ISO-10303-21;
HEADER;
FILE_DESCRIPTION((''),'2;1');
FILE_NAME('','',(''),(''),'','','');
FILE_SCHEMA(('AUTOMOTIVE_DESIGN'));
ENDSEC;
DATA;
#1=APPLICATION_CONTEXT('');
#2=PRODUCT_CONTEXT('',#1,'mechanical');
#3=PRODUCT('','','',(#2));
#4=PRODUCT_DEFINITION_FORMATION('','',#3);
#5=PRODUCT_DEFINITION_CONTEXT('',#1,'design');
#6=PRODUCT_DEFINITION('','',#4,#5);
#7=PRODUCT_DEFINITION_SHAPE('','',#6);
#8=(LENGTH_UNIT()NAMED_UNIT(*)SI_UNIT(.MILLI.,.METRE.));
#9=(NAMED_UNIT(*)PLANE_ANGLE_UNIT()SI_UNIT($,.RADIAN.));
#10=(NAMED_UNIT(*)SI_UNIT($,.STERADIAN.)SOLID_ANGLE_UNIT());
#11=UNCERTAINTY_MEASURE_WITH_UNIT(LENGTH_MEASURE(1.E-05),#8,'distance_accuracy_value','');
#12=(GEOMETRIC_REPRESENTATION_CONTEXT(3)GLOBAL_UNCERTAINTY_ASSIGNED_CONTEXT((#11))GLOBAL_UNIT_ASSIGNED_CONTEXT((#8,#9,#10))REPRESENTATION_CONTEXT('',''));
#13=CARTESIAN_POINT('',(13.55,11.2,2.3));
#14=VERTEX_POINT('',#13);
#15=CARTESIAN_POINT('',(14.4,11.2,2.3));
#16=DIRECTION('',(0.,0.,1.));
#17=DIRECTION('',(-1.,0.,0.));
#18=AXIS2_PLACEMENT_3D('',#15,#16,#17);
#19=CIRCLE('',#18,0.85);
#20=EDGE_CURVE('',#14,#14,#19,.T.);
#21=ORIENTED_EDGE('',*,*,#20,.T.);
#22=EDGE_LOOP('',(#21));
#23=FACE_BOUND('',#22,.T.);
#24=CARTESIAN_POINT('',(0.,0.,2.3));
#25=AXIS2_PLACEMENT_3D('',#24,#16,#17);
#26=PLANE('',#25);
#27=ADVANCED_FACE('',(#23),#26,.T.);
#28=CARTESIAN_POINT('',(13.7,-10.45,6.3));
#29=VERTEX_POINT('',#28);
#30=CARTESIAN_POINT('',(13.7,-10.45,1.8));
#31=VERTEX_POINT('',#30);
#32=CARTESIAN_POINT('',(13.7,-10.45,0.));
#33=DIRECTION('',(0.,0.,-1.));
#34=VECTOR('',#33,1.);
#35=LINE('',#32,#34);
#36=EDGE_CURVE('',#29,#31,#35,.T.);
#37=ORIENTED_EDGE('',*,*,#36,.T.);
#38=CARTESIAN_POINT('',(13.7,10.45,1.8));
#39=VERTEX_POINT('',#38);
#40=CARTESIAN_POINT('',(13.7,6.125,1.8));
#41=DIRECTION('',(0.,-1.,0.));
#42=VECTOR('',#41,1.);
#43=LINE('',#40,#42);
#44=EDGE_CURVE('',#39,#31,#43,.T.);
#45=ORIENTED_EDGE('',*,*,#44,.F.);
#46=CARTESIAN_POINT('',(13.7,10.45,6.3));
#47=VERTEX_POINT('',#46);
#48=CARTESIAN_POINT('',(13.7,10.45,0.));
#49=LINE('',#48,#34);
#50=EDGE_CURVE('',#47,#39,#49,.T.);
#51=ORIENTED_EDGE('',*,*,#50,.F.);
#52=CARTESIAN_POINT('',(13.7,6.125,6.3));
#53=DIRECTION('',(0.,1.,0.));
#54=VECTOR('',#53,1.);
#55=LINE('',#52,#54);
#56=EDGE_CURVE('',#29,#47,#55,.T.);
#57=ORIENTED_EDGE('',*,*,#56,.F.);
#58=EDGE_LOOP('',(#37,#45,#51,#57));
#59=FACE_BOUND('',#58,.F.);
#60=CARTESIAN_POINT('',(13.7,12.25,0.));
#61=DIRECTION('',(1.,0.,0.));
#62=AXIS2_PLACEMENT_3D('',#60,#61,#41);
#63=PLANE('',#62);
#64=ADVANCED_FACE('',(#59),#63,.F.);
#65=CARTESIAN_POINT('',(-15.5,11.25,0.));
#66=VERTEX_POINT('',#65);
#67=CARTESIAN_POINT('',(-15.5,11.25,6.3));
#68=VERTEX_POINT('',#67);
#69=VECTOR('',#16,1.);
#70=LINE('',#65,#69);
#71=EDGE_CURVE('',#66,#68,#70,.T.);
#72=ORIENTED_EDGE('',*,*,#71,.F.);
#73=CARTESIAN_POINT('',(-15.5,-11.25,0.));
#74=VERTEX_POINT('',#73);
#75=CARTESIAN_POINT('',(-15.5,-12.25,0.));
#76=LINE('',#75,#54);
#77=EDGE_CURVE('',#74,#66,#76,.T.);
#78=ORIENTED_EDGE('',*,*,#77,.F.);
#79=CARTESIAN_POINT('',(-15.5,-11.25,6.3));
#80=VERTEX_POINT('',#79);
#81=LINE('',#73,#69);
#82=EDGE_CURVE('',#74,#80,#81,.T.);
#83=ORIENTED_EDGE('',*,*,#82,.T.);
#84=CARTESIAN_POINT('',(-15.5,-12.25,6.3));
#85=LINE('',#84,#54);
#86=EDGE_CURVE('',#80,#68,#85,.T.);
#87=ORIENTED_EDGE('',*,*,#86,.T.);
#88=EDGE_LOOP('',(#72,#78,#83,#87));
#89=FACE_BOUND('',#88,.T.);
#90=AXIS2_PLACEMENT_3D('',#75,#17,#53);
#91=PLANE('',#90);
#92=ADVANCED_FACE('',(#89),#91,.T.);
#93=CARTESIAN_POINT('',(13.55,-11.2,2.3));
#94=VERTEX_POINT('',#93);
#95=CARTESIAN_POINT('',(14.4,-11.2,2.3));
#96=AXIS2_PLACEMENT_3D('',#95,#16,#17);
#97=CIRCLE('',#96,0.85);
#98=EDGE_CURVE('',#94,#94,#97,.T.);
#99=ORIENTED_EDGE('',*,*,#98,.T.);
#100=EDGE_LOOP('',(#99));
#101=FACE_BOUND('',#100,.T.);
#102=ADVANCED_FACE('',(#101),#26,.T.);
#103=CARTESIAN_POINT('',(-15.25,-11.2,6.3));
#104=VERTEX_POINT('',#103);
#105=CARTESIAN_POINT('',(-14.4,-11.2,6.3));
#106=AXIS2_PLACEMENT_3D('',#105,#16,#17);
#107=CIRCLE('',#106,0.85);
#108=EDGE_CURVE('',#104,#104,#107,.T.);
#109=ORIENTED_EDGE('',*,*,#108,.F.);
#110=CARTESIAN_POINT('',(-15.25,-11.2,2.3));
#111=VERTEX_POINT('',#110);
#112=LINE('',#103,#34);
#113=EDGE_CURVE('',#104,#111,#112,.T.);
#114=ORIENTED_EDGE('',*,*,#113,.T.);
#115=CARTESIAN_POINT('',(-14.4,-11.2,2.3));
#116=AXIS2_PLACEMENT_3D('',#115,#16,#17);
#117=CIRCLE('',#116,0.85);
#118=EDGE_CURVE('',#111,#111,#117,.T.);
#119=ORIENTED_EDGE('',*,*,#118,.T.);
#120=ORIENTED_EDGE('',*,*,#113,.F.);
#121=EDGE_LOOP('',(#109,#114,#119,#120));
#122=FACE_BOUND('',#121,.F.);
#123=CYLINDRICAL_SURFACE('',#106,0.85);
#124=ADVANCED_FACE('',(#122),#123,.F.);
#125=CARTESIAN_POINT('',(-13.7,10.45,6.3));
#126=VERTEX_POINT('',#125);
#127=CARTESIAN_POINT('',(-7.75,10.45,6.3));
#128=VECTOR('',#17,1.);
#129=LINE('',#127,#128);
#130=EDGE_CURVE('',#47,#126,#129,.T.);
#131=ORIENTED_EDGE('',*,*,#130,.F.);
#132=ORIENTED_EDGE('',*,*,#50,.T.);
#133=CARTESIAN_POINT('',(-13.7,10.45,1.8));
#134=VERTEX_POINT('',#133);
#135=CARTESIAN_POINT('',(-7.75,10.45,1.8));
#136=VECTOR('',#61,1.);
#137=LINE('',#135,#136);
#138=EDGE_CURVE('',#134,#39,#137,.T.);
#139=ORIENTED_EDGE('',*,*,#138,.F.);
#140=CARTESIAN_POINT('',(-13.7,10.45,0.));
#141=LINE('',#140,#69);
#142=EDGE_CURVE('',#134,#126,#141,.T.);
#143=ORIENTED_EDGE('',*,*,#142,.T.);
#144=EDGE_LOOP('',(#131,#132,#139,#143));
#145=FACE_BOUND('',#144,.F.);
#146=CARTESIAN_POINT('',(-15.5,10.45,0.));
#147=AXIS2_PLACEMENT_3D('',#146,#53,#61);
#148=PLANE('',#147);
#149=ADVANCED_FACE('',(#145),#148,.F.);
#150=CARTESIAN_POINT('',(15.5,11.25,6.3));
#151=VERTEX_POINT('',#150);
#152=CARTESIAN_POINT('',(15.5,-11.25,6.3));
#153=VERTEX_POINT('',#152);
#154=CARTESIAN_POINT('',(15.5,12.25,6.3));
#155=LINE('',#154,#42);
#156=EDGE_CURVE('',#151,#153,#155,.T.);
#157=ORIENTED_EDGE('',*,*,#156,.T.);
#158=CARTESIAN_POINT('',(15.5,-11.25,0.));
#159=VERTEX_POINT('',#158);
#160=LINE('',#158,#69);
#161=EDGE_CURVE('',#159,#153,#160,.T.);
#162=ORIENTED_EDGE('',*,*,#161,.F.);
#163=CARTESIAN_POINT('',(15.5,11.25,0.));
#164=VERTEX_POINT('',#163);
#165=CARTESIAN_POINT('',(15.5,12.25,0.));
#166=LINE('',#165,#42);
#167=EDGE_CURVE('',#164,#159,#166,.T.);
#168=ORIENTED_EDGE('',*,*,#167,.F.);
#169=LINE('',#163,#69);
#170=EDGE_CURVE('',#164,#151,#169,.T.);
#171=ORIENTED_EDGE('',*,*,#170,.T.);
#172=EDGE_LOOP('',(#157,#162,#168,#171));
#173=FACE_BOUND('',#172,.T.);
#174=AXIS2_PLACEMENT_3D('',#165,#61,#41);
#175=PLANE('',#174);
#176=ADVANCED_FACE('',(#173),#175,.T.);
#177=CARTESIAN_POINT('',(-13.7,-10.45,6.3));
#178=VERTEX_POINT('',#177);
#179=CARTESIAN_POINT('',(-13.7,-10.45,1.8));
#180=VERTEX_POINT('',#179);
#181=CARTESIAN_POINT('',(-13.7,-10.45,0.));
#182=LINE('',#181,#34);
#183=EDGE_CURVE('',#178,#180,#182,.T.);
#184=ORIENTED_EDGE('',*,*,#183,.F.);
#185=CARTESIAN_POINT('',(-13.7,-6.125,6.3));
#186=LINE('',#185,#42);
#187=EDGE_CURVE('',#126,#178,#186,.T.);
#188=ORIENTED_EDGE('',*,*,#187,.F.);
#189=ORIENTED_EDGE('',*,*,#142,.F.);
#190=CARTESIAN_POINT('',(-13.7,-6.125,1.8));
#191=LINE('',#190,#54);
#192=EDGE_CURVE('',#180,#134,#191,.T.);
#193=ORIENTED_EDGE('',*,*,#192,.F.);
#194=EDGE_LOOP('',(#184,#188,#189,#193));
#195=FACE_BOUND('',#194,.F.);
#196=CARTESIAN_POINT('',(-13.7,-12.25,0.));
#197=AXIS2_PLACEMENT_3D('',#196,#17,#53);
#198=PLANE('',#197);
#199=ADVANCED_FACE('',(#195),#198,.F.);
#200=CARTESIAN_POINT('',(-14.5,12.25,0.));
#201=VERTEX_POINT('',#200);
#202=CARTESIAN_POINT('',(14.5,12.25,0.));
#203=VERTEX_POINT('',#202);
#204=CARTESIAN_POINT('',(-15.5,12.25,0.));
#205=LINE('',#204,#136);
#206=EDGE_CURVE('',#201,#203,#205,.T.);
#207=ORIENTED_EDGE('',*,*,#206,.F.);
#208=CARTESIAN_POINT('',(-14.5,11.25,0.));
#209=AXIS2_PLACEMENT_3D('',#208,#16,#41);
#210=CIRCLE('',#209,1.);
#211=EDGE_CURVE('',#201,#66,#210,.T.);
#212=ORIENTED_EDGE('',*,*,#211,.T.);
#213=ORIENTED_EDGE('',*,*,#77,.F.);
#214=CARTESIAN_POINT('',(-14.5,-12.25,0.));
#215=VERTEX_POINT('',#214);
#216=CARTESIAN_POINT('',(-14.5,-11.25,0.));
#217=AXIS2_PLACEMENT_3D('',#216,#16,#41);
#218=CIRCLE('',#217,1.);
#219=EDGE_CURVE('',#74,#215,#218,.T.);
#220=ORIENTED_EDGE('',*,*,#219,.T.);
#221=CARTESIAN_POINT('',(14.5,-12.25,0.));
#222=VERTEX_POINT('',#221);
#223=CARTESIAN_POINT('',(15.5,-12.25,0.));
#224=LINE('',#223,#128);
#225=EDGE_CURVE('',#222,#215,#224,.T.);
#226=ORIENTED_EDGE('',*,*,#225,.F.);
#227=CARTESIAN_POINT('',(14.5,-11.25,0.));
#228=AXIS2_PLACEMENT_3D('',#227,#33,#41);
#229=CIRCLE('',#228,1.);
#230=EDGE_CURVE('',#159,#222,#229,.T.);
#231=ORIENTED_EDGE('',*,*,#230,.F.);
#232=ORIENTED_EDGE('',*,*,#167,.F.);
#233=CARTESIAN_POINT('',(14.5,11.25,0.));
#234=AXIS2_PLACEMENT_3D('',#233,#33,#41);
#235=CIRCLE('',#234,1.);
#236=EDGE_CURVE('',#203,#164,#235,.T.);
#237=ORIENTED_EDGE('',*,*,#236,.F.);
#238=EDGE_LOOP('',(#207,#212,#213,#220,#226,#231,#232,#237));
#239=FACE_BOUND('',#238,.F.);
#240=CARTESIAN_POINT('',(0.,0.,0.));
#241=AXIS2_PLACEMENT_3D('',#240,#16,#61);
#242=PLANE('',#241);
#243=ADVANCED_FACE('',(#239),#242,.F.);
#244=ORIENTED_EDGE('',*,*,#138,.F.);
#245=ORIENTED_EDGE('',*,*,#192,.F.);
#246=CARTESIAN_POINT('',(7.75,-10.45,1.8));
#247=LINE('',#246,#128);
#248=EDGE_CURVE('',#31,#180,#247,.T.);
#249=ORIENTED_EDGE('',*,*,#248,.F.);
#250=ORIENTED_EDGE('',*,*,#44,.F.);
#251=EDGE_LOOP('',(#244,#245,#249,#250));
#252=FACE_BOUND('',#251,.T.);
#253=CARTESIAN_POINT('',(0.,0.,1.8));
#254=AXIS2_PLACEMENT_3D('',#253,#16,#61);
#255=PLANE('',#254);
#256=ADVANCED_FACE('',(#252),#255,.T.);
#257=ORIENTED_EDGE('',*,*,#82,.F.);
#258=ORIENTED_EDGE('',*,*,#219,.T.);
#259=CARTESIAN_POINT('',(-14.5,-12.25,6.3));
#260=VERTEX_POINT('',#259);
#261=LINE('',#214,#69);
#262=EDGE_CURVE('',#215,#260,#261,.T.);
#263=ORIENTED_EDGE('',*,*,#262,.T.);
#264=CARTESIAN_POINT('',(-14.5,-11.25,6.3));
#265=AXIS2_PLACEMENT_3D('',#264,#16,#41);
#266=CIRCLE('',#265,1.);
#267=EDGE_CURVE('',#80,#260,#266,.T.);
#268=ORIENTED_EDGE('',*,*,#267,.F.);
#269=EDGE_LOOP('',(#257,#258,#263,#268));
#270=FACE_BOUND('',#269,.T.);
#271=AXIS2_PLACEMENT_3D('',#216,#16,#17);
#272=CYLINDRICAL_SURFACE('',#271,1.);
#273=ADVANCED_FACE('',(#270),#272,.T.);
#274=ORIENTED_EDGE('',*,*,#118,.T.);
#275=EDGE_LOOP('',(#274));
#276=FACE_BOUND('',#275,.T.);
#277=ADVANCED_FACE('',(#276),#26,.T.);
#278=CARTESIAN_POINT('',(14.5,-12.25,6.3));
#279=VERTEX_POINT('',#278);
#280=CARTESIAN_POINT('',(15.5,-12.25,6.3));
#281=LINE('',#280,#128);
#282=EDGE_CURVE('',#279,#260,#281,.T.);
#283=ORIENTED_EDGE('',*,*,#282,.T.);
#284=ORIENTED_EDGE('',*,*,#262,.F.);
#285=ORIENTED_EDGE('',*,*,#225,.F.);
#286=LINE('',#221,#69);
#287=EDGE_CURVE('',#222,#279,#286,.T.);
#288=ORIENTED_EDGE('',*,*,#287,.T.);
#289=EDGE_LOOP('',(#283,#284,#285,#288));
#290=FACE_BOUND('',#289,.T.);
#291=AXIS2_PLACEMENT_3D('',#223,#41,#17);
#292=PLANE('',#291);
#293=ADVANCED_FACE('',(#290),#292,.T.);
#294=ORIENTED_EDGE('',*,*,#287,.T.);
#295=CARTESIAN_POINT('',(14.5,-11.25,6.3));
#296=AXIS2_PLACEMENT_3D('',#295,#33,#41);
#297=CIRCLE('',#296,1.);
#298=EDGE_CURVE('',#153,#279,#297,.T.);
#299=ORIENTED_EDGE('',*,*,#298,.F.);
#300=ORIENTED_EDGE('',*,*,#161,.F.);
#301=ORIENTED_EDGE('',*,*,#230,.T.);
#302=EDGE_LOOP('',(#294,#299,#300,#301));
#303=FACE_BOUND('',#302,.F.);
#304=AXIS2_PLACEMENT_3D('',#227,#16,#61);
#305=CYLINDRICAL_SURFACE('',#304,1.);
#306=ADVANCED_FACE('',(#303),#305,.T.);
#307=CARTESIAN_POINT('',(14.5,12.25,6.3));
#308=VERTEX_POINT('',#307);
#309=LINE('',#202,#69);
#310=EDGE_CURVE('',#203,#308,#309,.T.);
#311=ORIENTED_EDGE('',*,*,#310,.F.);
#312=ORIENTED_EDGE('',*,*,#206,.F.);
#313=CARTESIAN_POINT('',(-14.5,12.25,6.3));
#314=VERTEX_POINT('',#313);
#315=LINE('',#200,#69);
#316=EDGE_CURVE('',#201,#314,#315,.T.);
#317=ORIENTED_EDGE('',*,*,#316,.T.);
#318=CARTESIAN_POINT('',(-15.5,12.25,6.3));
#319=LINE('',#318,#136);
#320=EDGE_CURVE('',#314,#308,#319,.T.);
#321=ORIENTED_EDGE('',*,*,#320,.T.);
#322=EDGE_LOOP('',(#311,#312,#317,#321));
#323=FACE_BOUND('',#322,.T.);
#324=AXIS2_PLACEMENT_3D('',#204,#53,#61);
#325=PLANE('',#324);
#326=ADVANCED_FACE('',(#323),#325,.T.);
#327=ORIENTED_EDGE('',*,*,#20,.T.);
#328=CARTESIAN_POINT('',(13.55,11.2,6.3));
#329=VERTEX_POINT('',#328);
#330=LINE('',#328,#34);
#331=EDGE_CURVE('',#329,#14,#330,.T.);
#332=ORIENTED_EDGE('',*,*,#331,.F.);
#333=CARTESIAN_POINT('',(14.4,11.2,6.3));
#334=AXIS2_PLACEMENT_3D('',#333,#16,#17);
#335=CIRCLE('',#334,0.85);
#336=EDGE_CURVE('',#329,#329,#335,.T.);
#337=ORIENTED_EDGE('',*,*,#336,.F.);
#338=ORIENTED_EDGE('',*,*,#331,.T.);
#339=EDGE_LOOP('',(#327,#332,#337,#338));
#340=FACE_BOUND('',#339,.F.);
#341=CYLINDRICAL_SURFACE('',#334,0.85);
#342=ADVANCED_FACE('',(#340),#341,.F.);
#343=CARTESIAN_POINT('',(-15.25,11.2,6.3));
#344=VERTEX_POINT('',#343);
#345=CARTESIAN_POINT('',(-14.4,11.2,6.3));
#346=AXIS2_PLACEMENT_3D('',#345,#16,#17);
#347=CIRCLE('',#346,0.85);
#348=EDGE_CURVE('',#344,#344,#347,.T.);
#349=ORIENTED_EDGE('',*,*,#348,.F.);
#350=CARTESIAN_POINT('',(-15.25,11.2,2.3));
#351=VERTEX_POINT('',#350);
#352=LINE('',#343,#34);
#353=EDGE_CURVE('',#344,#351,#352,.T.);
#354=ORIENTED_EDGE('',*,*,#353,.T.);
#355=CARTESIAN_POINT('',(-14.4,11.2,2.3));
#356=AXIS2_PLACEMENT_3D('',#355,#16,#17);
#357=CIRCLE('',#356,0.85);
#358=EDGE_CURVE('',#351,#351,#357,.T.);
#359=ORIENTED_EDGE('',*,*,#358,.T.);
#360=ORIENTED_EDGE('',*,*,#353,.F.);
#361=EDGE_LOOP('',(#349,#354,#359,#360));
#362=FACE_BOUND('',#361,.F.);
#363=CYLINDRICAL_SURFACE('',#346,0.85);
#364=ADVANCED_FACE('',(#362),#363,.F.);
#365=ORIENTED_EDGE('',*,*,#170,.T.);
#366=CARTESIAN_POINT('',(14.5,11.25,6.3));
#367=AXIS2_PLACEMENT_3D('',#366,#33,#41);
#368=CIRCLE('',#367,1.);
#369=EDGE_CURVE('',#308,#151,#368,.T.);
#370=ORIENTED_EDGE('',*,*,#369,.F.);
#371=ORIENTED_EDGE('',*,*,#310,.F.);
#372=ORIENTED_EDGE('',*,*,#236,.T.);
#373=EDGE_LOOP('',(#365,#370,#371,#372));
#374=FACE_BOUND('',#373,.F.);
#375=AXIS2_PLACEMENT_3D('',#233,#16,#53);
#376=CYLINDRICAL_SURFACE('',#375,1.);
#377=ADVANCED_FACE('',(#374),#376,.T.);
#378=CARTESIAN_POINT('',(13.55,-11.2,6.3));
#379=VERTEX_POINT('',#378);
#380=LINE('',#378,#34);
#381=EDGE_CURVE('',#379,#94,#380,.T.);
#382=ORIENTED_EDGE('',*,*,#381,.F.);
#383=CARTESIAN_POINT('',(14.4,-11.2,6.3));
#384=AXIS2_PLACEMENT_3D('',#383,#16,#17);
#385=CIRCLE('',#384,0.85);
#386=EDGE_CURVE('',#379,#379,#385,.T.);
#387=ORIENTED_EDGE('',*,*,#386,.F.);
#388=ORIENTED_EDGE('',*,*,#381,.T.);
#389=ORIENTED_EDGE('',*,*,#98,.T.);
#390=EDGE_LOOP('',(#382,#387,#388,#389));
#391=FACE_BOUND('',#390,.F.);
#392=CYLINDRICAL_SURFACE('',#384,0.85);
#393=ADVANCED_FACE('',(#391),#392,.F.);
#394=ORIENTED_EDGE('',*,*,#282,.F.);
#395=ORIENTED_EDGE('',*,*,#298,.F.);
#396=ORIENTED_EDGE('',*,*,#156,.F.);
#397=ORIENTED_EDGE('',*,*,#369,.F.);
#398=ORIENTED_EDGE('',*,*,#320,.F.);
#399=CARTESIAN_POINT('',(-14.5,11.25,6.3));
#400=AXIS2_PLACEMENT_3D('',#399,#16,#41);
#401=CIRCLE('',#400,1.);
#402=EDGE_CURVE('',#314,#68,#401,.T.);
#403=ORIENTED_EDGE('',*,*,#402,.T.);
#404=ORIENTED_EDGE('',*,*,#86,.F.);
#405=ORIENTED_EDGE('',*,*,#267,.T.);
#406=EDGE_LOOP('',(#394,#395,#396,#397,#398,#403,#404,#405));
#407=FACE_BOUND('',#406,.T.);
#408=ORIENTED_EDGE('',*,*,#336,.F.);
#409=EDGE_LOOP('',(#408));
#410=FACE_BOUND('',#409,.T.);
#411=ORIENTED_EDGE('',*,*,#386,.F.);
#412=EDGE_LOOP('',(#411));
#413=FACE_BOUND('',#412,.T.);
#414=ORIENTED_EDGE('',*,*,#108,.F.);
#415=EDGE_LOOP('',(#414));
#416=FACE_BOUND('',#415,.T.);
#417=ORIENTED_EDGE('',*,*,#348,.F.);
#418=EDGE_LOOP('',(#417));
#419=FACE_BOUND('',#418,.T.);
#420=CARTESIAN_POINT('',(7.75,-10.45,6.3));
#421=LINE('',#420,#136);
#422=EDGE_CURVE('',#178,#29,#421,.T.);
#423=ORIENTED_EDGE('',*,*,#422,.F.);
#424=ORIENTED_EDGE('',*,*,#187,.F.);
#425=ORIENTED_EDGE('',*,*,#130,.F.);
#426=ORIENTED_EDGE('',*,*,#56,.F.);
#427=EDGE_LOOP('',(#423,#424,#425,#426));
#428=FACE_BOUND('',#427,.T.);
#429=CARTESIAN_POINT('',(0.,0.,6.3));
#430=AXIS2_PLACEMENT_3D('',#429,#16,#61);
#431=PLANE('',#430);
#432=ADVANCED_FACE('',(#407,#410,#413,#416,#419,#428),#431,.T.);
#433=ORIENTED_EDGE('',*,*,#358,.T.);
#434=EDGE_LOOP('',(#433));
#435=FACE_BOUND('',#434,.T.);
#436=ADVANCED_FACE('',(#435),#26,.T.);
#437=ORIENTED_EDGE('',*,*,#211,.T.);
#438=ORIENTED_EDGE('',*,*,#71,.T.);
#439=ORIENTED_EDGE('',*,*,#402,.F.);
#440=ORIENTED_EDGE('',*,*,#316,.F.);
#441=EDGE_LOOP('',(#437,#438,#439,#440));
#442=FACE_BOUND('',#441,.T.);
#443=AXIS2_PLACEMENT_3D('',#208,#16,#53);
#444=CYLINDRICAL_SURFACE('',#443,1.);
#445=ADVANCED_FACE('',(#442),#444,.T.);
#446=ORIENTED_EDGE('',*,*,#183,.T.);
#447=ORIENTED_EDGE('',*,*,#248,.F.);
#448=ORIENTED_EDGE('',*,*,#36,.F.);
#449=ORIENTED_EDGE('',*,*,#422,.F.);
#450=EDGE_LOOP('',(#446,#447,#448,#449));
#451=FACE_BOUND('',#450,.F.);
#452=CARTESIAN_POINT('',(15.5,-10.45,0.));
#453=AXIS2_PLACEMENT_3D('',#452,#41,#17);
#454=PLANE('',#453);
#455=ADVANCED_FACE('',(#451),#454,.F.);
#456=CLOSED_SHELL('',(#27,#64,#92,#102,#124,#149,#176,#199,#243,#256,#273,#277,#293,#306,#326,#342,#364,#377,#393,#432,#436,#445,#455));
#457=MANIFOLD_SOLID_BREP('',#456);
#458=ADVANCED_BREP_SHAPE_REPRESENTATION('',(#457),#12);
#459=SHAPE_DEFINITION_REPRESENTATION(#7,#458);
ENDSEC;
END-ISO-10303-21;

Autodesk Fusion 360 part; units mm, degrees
sketch "Sketch1" plane through (0, 0, 0) normal (0, 0, 1) x (1, 0, 0) in component "part 1"
  line L0 (-15.5, 12.25) -> (15.5, 12.25)
  line L1 (15.5, 12.25) -> (15.5, -12.25)
  line L2 (15.5, -12.25) -> (-15.5, -12.25)
  line L3 (-15.5, -12.25) -> (-15.5, 12.25)
  line L4 (-15.5, 12.25) -> (15.5, -12.25) construction
  line L5 (15.5, 12.25) -> (-15.5, -12.25) construction
  dimension "d1" = 31
  dimension "d2" = 24.5
extrude "Extrude1" add sketch "Sketch1" along normal blind 6.3 in component "part 1"
sketch "Sketch2" plane through (0, 0, 6.3) normal (0, 0, 1) x (-1, 0, 0) in component "part 1"
  line L0 (15.5, 12.25) -> (-15.5, 12.25)
  line L1 (-15.5, 12.25) -> (-15.5, -12.25)
  line L2 (-15.5, -12.25) -> (15.5, -12.25)
  line L3 (15.5, -12.25) -> (15.5, 12.25)
shell "Shell1" thickness 1.8 removed faces 1 at (-5.1667, 4.0833, 6.3) in component "part 1"
sketch "Sketch3" plane through (0, 0, 6.3) normal (0, 0, 1) x (-1, 0, 0) in component "part 1"
  circle A0 centre (14.4, -11.2) radius 0.85
  line L0 (0, 0) -> (0, -3.5)
  line L1 (0, 0) -> (3.5, 0)
  circle A1 centre (-14.4, -11.2) radius 0.85
  circle A2 centre (-14.4, 11.2) radius 0.85
  circle A3 centre (14.4, 11.2) radius 0.85
  dimension "d8" = 1.7
  dimension "d9" = 11.2
  dimension "d10" = 14.4
extrude "Extrude2" cut sketch "Sketch3" against normal blind 4 in component "part 1"
fillet "Fillet1" radius 1 1 edges at (15.5, -12.25, 3.15) in component "part 1"
fillet "Fillet1" radius 1 1 edges at (15.5, 12.25, 3.15) in component "part 1"
fillet "Fillet1" radius 1 1 edges at (-15.5, 12.25, 3.15) in component "part 1"
fillet "Fillet1" radius 1 1 edges at (-15.5, -12.25, 3.15) in component "part 1"
component "part 1" placed x (1, 0, 0) y (0, 1, 0) z (0, 0, 1) at (0, 0, 0)
